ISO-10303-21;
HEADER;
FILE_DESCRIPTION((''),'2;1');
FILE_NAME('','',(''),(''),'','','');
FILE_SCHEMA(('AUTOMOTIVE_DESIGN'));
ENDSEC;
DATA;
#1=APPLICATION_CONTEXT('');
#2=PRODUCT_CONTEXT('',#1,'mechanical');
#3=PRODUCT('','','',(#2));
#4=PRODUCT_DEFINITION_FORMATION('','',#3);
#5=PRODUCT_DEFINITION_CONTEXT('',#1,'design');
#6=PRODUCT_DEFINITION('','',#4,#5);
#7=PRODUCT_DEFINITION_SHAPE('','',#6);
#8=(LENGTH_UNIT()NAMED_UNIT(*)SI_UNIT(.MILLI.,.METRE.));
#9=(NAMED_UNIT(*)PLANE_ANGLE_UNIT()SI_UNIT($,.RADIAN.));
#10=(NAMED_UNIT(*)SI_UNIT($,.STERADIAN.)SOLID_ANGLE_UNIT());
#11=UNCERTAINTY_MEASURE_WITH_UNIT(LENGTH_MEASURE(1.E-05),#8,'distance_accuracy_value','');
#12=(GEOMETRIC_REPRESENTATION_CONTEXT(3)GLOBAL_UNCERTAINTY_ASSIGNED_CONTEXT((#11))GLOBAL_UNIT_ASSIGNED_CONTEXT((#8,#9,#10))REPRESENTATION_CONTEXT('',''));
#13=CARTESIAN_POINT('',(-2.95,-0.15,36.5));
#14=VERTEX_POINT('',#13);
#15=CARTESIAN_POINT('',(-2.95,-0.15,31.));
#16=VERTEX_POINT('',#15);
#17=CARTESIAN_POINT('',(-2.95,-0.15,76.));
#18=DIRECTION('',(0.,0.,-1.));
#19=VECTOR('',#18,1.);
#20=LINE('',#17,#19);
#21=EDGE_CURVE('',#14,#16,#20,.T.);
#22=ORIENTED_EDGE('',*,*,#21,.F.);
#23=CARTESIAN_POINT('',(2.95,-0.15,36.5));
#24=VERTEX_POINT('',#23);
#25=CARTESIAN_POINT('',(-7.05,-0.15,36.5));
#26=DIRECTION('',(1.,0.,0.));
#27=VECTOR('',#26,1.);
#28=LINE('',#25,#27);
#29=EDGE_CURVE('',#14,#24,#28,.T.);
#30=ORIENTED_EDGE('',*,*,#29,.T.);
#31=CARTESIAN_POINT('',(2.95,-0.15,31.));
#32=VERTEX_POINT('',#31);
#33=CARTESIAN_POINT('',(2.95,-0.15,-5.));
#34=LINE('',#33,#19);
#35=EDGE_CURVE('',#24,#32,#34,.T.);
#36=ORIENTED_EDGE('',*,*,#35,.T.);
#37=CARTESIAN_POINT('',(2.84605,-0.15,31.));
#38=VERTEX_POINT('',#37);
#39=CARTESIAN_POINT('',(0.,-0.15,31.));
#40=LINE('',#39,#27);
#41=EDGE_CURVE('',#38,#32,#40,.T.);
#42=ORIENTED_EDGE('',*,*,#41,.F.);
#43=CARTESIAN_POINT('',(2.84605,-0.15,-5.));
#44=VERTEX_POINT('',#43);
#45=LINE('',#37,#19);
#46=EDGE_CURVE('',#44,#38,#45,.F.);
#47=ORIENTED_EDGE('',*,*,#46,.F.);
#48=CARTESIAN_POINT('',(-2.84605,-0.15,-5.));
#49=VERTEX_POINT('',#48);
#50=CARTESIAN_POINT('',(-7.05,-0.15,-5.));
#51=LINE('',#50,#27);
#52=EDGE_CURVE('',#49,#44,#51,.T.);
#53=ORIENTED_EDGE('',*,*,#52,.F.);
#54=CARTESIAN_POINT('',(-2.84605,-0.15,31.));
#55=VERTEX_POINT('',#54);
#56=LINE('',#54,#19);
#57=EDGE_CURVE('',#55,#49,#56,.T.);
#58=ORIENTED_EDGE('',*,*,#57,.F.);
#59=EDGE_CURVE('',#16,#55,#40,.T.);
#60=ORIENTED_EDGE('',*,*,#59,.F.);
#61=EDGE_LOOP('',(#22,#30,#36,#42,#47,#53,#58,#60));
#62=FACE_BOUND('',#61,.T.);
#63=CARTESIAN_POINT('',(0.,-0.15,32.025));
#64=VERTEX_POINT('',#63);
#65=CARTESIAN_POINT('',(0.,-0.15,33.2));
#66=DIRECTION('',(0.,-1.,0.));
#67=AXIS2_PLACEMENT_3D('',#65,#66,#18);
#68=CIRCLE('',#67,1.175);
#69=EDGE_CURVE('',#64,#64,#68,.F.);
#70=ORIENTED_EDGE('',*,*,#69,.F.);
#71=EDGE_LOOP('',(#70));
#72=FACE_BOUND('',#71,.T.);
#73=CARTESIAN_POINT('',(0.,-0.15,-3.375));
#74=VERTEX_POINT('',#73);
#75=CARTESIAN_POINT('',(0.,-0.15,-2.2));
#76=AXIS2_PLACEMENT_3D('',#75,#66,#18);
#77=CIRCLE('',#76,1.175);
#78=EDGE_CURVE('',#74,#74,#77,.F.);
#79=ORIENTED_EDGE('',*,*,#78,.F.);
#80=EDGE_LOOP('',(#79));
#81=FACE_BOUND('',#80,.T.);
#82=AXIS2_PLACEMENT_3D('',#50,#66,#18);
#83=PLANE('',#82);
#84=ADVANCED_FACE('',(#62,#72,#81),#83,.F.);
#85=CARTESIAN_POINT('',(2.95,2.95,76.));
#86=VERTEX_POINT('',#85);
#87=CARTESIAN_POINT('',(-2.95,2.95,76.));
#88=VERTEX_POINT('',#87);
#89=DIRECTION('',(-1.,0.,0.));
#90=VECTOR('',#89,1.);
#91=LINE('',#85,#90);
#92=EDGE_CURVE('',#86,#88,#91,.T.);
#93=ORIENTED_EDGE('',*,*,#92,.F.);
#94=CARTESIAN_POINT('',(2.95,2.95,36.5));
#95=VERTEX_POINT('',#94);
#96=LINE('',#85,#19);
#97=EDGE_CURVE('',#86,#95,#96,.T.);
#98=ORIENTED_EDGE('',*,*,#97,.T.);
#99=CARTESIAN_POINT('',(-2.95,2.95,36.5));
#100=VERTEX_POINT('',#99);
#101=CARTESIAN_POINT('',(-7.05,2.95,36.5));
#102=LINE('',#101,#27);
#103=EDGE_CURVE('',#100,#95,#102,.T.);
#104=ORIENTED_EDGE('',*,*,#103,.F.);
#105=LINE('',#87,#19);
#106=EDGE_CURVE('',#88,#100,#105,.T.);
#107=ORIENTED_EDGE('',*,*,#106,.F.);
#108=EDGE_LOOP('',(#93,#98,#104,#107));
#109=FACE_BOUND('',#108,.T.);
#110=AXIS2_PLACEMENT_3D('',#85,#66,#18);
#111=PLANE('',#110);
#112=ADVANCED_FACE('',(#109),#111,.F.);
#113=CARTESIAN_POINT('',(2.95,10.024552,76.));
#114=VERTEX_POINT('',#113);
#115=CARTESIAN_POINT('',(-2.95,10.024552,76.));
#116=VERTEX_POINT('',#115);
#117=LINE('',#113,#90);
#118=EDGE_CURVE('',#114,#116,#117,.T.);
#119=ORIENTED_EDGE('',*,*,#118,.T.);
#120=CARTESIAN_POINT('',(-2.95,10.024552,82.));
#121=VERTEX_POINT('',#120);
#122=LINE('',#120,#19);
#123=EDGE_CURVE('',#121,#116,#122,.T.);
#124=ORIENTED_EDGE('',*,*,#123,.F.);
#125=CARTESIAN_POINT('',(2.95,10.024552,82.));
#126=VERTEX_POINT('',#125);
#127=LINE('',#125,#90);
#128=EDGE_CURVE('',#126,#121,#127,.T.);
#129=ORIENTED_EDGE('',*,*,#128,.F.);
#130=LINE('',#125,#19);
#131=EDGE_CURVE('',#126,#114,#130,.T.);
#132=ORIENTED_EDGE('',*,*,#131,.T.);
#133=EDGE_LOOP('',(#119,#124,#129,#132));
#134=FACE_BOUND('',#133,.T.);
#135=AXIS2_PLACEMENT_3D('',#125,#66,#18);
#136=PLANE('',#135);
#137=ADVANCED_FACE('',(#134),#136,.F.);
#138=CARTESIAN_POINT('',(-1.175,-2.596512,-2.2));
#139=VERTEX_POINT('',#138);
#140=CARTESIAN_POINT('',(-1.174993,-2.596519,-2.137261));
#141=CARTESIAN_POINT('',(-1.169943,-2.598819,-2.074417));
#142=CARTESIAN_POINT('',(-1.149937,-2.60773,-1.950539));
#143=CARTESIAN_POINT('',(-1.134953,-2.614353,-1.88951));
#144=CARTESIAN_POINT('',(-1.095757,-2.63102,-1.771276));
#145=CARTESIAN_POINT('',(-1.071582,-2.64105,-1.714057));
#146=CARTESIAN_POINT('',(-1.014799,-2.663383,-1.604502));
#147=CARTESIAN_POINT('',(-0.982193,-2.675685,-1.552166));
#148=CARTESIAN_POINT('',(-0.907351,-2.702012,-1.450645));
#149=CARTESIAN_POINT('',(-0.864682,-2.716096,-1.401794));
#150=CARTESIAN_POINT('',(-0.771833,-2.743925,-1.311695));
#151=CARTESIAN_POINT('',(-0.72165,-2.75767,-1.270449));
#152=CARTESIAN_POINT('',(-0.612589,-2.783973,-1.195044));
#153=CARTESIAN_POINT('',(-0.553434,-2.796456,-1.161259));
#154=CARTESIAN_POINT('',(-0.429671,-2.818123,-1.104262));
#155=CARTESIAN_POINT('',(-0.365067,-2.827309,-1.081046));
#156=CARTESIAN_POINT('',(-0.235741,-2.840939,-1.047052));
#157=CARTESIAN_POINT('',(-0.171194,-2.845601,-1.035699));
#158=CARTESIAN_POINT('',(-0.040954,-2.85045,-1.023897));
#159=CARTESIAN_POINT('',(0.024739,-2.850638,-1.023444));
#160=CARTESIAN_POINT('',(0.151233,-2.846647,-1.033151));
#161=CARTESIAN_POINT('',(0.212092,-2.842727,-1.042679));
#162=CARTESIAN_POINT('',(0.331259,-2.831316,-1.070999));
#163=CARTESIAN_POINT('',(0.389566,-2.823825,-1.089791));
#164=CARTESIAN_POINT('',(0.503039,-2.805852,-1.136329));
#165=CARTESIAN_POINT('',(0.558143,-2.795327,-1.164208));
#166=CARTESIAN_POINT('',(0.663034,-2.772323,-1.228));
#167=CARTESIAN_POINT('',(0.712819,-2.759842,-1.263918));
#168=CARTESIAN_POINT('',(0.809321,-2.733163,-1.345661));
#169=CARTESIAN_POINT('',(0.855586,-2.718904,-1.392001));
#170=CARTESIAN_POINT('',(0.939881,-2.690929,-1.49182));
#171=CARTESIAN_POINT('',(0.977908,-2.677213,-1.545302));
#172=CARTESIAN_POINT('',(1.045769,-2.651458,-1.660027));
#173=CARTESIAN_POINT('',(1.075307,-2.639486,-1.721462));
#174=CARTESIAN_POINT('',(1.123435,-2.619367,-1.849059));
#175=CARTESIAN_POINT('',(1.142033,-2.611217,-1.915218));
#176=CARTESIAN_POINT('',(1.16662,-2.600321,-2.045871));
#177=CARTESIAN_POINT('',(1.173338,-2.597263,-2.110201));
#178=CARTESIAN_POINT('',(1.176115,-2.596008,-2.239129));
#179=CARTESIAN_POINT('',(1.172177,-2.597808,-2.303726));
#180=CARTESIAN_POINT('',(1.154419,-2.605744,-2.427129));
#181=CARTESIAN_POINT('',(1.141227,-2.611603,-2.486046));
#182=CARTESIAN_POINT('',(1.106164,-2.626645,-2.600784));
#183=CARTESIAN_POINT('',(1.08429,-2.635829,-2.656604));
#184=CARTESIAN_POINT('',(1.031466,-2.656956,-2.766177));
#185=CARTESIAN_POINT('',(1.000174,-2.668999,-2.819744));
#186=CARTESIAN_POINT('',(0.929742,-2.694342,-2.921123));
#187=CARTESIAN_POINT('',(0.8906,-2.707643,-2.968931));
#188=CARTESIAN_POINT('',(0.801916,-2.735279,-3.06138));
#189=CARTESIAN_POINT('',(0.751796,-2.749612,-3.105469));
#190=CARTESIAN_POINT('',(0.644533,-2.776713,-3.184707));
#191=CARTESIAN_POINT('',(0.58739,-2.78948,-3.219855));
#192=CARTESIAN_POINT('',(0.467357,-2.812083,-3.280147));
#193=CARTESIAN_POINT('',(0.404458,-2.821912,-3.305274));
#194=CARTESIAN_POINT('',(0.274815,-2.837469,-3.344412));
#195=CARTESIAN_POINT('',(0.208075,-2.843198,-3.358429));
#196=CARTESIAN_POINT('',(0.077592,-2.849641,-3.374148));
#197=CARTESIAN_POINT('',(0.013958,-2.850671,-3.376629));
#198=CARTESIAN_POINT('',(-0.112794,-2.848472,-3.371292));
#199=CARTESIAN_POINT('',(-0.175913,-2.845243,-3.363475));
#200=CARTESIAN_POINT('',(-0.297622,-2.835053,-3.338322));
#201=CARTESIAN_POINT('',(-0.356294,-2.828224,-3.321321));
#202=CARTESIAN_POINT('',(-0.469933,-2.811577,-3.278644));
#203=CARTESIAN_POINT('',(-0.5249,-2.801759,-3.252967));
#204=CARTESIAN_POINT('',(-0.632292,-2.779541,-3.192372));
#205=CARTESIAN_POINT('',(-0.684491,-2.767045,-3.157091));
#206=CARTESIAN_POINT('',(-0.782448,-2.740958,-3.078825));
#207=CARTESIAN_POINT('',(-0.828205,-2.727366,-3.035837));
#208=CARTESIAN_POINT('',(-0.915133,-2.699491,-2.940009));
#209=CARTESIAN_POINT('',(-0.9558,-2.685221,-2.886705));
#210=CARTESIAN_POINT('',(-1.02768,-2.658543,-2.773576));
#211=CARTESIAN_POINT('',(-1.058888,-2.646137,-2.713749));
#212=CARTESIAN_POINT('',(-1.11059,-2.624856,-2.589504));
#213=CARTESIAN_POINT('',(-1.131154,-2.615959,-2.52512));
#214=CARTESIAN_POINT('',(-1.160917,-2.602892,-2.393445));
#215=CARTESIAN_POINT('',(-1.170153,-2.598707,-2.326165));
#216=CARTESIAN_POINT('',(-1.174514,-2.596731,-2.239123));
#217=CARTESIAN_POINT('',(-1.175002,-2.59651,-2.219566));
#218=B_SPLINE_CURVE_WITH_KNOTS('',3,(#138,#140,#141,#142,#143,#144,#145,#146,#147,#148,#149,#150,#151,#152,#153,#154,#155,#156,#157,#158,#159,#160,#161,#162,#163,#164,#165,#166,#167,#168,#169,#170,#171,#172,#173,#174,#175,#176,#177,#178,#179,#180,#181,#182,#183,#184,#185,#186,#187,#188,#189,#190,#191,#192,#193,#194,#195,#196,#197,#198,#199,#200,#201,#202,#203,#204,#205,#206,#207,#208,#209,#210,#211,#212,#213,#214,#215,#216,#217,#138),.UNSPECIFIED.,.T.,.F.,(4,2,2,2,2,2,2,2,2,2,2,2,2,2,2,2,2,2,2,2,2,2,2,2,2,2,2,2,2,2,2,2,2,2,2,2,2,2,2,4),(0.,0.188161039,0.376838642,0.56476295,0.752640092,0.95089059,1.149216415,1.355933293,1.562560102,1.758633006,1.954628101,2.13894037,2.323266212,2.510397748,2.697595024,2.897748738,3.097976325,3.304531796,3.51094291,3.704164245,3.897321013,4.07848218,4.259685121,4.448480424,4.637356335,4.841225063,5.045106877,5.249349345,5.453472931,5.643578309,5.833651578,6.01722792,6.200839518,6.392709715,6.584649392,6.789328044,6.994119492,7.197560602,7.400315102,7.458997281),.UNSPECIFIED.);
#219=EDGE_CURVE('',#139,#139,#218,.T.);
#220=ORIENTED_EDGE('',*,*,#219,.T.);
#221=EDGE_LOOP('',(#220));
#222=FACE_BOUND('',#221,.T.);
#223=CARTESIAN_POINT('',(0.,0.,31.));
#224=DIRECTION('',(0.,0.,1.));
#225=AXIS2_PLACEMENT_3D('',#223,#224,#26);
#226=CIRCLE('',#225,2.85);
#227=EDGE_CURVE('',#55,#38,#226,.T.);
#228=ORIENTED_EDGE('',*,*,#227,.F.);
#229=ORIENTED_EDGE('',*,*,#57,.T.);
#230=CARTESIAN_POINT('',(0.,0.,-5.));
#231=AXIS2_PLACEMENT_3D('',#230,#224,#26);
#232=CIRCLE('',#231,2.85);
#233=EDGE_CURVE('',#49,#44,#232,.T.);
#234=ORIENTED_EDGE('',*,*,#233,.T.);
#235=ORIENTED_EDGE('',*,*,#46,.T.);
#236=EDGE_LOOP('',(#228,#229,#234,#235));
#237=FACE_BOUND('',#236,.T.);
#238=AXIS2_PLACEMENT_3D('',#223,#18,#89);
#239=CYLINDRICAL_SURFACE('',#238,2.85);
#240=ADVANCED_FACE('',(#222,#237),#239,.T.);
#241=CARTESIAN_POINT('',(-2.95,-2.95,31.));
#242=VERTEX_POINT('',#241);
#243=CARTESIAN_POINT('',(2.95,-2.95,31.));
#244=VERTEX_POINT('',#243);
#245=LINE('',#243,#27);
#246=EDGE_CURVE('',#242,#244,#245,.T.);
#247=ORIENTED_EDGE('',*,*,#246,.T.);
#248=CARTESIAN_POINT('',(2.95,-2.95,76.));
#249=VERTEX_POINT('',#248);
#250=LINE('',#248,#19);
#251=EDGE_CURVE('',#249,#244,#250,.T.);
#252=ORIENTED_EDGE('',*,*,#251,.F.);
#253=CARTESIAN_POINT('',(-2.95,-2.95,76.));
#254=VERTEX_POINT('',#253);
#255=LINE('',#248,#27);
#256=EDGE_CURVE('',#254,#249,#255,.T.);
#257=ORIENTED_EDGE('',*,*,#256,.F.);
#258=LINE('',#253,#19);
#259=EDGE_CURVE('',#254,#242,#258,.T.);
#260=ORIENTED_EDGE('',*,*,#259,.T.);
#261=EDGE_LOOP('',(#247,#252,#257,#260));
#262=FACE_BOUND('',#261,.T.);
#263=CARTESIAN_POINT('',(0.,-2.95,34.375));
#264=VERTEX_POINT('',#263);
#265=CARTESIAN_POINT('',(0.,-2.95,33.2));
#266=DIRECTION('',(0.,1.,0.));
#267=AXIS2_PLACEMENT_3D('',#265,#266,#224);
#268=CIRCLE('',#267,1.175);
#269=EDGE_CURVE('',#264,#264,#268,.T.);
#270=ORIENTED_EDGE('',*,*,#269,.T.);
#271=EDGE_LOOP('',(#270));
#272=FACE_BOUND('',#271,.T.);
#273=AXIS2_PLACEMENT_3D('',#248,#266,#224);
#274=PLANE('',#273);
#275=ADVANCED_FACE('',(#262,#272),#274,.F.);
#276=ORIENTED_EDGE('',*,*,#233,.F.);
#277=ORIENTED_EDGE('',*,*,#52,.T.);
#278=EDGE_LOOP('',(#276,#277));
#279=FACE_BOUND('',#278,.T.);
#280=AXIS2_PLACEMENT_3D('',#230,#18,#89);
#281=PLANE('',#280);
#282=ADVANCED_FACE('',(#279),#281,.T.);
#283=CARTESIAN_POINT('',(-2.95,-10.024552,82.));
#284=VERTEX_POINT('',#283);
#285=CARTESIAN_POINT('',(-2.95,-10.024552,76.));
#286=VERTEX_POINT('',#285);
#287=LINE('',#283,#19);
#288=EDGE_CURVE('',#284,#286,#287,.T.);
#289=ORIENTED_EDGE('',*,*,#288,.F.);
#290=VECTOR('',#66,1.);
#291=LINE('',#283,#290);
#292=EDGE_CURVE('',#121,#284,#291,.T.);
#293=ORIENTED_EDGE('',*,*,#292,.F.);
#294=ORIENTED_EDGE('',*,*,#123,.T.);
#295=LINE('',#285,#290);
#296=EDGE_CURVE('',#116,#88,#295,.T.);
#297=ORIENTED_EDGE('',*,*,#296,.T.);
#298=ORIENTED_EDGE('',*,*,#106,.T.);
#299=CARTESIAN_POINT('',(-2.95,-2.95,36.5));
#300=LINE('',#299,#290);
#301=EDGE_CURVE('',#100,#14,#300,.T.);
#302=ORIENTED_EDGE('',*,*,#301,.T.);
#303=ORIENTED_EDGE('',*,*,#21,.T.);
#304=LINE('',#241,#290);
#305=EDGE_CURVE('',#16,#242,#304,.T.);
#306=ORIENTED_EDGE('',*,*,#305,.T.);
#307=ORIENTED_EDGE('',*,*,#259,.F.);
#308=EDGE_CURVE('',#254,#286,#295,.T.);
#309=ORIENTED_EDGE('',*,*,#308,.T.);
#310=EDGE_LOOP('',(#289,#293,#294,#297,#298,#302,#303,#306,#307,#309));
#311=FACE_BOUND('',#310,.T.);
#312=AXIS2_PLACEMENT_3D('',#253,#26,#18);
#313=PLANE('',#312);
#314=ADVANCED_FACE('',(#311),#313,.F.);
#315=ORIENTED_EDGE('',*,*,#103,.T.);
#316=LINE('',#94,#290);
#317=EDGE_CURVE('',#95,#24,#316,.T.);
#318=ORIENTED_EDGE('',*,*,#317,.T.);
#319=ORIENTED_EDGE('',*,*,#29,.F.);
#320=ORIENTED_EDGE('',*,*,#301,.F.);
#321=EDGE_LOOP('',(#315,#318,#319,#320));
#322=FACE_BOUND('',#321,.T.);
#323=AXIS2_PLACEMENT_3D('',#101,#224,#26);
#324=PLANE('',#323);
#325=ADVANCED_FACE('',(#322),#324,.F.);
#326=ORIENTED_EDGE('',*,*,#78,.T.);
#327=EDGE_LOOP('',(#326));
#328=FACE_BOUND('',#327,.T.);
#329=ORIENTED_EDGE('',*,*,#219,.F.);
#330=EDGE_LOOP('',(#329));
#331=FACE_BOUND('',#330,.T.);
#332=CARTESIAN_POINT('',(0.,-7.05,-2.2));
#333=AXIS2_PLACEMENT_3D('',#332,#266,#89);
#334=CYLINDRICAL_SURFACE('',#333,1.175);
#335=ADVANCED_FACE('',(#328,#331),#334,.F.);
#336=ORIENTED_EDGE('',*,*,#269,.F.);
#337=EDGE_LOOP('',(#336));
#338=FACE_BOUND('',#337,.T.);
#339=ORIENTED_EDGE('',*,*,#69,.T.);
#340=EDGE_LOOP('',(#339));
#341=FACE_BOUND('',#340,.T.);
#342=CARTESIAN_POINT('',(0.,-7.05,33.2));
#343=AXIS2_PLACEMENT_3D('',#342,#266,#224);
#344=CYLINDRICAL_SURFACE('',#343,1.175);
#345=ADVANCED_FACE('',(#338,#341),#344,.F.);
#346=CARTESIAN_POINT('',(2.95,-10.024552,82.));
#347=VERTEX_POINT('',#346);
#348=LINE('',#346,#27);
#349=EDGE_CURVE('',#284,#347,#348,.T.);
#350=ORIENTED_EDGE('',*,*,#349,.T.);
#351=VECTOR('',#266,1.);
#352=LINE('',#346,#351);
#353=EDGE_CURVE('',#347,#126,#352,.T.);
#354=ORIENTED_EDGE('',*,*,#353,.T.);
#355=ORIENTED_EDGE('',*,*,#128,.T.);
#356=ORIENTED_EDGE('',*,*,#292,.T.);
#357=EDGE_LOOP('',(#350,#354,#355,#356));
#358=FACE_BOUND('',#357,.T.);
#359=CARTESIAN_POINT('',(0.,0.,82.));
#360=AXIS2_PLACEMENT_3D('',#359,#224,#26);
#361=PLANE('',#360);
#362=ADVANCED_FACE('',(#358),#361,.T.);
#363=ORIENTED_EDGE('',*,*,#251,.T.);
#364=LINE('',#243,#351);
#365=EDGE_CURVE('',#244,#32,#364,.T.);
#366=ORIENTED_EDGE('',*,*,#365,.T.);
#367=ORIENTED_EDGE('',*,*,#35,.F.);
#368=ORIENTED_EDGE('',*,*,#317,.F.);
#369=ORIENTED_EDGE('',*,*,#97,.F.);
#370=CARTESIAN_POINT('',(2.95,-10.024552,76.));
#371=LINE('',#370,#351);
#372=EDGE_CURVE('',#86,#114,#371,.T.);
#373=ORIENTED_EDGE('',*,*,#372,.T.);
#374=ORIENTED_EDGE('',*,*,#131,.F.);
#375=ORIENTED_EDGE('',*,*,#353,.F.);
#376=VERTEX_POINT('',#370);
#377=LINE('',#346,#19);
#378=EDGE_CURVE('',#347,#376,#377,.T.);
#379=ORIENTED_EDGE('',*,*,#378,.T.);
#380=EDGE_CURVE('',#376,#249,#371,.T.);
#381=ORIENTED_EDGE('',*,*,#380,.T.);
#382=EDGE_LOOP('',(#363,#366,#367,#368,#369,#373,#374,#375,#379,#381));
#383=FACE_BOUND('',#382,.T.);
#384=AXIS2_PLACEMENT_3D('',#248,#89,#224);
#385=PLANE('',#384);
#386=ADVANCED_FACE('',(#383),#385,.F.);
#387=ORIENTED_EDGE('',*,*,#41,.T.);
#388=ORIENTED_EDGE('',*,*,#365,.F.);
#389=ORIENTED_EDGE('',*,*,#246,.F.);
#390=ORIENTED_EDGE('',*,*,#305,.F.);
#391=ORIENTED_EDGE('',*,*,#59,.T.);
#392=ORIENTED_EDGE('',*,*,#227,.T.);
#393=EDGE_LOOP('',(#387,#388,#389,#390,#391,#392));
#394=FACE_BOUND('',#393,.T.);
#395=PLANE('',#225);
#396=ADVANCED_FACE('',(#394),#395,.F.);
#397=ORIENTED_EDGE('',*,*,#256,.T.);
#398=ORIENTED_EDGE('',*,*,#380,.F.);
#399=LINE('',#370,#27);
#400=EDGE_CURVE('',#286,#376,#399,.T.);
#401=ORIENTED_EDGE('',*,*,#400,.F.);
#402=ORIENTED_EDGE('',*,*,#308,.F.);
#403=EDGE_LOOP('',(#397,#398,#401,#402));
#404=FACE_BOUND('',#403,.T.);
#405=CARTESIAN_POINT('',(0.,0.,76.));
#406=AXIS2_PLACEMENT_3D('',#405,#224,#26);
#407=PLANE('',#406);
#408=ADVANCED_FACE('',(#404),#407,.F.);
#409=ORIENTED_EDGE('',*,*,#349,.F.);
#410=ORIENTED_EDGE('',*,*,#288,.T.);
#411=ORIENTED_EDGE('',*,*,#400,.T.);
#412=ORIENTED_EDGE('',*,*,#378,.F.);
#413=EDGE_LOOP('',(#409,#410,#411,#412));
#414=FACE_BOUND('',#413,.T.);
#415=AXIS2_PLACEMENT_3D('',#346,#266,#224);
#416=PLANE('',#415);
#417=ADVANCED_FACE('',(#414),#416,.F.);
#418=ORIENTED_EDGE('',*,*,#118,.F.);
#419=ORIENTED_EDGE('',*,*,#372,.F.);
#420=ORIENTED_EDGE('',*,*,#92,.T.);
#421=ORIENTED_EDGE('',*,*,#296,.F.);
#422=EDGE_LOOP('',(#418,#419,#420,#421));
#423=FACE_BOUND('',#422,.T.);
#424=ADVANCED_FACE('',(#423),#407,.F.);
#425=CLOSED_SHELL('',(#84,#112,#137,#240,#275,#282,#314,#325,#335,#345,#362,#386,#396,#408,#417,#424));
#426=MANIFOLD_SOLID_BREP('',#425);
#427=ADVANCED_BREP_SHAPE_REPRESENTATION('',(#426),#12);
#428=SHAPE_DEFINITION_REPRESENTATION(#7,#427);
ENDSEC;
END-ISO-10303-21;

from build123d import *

# Parameters (mm, degrees)
SKETCH_1_R           = 2.85
EXTRUDE_1_DEPTH      = 31
SKETCH_3_W           = 5.9
SKETCH_3_H           = 5.9
EXTRUDE_2_DEPTH      = 5
SKETCH_4_R           = 5
EXTRUDE_3_DEPTH      = 7
SKETCH_6_R           = 11.5
EXTRUDE_4_DEPTH      = 2
SKETCH_8_R           = 4.5
CUT_EXTRUDE_2_DEPTH  = 7.5
SKETCH_9_R           = 1.25
CUT_EXTRUDE_3_DEPTH  = 5.5
SKETCH_10_R          = 1.175
CUT_EXTRUDE_7_DEPTH  = 10
SKETCH_12_W          = 5.9
SKETCH_12_H          = 5.9
EXTRUDE_5_DEPTH      = 45
SKETCH_15_W          = 5.9
SKETCH_15_H          = 20.04910328
EXTRUDE_6_DEPTH      = 6
SKETCH_16_R          = 1.175
CUT_EXTRUDE_8_DEPTH  = 10
SKETCH_21_W          = 41.5
SKETCH_21_H          = 3.1
CUT_EXTRUDE_9_DEPTH  = 10
SKETCH_22_OUTSIDE_W  = 45.272
SKETCH_22_OUTSIDE_H  = 45.272
SKETCH_22_OUTSIDE_R  = 2.85
CUT_EXTRUDE_10_DEPTH = 5
SKETCH_23_R          = 14.411618967
CUT_EXTRUDE_11_DEPTH = 9


with BuildPart() as part:
    # 스케치1 → 보스-돌출1 (new body)
    with BuildSketch(Plane.XY):
        Circle(SKETCH_1_R)
    extrude(amount=EXTRUDE_1_DEPTH)

    # 스케치3 → 보스-돌출2 (add)
    with BuildSketch(Plane(origin=(0, 0, 0), x_dir=(-1, 0, 0), z_dir=(0, 0, -1))):
        Rectangle(SKETCH_3_W, SKETCH_3_H)
    extrude(amount=EXTRUDE_2_DEPTH)

    # 스케치4 → 보스-돌출3 (add)
    with BuildSketch(Plane(origin=(0, 0, -5), x_dir=(-1, 0, 0), z_dir=(0, 0, -1))):
        Circle(SKETCH_4_R)
    extrude(amount=EXTRUDE_3_DEPTH)

    # 스케치6 → 보스-돌출4 (add)
    with BuildSketch(Plane(origin=(0, 0, -12), x_dir=(-1, 0, 0), z_dir=(0, 0, -1))):
        Circle(SKETCH_6_R)
    extrude(amount=EXTRUDE_4_DEPTH)

    # 스케치8 → 컷-돌출2 (cut)
    with BuildSketch(Plane(origin=(0, 0, -14), x_dir=(-1, 0, 0), z_dir=(0, 0, -1))):
        Circle(SKETCH_8_R)
    extrude(amount=-CUT_EXTRUDE_2_DEPTH, mode=Mode.SUBTRACT)

    # 스케치9 → 컷-돌출3 (cut)
    with BuildSketch(Plane(origin=(0, 0, -14), x_dir=(-1, 0, 0), z_dir=(0, 0, -1))):
        with Locations((3.444150891, 8.314915793)):
            Circle(SKETCH_9_R)
        with Locations((-3.444150891, 8.314915793)):
            Circle(SKETCH_9_R)
        with Locations((8.314915793, 3.444150891)):
            Circle(SKETCH_9_R)
        with Locations((8.314915793, -3.444150891)):
            Circle(SKETCH_9_R)
        with Locations((3.444150891, -8.314915793)):
            Circle(SKETCH_9_R)
        with Locations((-3.444150891, -8.314915793)):
            Circle(SKETCH_9_R)
        with Locations((-8.314915793, -3.444150891)):
            Circle(SKETCH_9_R)
        with Locations((-8.314915793, 3.444150891)):
            Circle(SKETCH_9_R)
    extrude(amount=-CUT_EXTRUDE_3_DEPTH, mode=Mode.SUBTRACT)

    # 스케치10 → 컷-돌출7 (cut)
    with BuildSketch(Plane(origin=(0, 2.95, 0), x_dir=(1, 0, 0), z_dir=(0, 1, 0))):
        with Locations(Location((0, 2.2, 0), (0, 0, 180))):
            Circle(SKETCH_10_R)
    extrude(amount=-CUT_EXTRUDE_7_DEPTH, mode=Mode.SUBTRACT)

    # 스케치12 → 보스-돌출5 (add)
    with BuildSketch(Plane.XY.offset(31)):
        Rectangle(SKETCH_12_W, SKETCH_12_H)
    extrude(amount=EXTRUDE_5_DEPTH)

    # 스케치15 → 보스-돌출6 (add)
    with BuildSketch(Plane.XY.offset(76)):
        Rectangle(SKETCH_15_W, SKETCH_15_H)
    extrude(amount=EXTRUDE_6_DEPTH)

    # 스케치16 → 컷-돌출8 (cut)
    with BuildSketch(Plane(origin=(0, 2.95, 0), x_dir=(1, 0, 0), z_dir=(0, 1, 0))):
        with Locations(Location((0, -33.2, 0), (0, 0, 270))):
            Circle(SKETCH_16_R)
    extrude(amount=-CUT_EXTRUDE_8_DEPTH, mode=Mode.SUBTRACT)

    # 스케치21 → 컷-돌출9 (cut)
    with BuildSketch(Plane(origin=(2.95, 0, 0), x_dir=(0, 0, -1), z_dir=(1, 0, 0))):
        with Locations((-15.75, 1.4)):
            Rectangle(SKETCH_21_W, SKETCH_21_H)
    extrude(amount=-CUT_EXTRUDE_9_DEPTH, mode=Mode.SUBTRACT)

    # 스케치22 outside → 컷-돌출10 (cut)
    with BuildSketch(Plane.XY):
        Rectangle(SKETCH_22_OUTSIDE_W, SKETCH_22_OUTSIDE_H)
        Circle(SKETCH_22_OUTSIDE_R, mode=Mode.SUBTRACT)
    extrude(amount=-CUT_EXTRUDE_10_DEPTH, mode=Mode.SUBTRACT)

    # 스케치23 → 컷-돌출11 (cut)
    with BuildSketch(Plane(origin=(0, 0, -14), x_dir=(-1, 0, 0), z_dir=(0, 0, -1))):
        Circle(SKETCH_23_R)
    extrude(amount=-CUT_EXTRUDE_11_DEPTH, mode=Mode.SUBTRACT)


solid = part.part
